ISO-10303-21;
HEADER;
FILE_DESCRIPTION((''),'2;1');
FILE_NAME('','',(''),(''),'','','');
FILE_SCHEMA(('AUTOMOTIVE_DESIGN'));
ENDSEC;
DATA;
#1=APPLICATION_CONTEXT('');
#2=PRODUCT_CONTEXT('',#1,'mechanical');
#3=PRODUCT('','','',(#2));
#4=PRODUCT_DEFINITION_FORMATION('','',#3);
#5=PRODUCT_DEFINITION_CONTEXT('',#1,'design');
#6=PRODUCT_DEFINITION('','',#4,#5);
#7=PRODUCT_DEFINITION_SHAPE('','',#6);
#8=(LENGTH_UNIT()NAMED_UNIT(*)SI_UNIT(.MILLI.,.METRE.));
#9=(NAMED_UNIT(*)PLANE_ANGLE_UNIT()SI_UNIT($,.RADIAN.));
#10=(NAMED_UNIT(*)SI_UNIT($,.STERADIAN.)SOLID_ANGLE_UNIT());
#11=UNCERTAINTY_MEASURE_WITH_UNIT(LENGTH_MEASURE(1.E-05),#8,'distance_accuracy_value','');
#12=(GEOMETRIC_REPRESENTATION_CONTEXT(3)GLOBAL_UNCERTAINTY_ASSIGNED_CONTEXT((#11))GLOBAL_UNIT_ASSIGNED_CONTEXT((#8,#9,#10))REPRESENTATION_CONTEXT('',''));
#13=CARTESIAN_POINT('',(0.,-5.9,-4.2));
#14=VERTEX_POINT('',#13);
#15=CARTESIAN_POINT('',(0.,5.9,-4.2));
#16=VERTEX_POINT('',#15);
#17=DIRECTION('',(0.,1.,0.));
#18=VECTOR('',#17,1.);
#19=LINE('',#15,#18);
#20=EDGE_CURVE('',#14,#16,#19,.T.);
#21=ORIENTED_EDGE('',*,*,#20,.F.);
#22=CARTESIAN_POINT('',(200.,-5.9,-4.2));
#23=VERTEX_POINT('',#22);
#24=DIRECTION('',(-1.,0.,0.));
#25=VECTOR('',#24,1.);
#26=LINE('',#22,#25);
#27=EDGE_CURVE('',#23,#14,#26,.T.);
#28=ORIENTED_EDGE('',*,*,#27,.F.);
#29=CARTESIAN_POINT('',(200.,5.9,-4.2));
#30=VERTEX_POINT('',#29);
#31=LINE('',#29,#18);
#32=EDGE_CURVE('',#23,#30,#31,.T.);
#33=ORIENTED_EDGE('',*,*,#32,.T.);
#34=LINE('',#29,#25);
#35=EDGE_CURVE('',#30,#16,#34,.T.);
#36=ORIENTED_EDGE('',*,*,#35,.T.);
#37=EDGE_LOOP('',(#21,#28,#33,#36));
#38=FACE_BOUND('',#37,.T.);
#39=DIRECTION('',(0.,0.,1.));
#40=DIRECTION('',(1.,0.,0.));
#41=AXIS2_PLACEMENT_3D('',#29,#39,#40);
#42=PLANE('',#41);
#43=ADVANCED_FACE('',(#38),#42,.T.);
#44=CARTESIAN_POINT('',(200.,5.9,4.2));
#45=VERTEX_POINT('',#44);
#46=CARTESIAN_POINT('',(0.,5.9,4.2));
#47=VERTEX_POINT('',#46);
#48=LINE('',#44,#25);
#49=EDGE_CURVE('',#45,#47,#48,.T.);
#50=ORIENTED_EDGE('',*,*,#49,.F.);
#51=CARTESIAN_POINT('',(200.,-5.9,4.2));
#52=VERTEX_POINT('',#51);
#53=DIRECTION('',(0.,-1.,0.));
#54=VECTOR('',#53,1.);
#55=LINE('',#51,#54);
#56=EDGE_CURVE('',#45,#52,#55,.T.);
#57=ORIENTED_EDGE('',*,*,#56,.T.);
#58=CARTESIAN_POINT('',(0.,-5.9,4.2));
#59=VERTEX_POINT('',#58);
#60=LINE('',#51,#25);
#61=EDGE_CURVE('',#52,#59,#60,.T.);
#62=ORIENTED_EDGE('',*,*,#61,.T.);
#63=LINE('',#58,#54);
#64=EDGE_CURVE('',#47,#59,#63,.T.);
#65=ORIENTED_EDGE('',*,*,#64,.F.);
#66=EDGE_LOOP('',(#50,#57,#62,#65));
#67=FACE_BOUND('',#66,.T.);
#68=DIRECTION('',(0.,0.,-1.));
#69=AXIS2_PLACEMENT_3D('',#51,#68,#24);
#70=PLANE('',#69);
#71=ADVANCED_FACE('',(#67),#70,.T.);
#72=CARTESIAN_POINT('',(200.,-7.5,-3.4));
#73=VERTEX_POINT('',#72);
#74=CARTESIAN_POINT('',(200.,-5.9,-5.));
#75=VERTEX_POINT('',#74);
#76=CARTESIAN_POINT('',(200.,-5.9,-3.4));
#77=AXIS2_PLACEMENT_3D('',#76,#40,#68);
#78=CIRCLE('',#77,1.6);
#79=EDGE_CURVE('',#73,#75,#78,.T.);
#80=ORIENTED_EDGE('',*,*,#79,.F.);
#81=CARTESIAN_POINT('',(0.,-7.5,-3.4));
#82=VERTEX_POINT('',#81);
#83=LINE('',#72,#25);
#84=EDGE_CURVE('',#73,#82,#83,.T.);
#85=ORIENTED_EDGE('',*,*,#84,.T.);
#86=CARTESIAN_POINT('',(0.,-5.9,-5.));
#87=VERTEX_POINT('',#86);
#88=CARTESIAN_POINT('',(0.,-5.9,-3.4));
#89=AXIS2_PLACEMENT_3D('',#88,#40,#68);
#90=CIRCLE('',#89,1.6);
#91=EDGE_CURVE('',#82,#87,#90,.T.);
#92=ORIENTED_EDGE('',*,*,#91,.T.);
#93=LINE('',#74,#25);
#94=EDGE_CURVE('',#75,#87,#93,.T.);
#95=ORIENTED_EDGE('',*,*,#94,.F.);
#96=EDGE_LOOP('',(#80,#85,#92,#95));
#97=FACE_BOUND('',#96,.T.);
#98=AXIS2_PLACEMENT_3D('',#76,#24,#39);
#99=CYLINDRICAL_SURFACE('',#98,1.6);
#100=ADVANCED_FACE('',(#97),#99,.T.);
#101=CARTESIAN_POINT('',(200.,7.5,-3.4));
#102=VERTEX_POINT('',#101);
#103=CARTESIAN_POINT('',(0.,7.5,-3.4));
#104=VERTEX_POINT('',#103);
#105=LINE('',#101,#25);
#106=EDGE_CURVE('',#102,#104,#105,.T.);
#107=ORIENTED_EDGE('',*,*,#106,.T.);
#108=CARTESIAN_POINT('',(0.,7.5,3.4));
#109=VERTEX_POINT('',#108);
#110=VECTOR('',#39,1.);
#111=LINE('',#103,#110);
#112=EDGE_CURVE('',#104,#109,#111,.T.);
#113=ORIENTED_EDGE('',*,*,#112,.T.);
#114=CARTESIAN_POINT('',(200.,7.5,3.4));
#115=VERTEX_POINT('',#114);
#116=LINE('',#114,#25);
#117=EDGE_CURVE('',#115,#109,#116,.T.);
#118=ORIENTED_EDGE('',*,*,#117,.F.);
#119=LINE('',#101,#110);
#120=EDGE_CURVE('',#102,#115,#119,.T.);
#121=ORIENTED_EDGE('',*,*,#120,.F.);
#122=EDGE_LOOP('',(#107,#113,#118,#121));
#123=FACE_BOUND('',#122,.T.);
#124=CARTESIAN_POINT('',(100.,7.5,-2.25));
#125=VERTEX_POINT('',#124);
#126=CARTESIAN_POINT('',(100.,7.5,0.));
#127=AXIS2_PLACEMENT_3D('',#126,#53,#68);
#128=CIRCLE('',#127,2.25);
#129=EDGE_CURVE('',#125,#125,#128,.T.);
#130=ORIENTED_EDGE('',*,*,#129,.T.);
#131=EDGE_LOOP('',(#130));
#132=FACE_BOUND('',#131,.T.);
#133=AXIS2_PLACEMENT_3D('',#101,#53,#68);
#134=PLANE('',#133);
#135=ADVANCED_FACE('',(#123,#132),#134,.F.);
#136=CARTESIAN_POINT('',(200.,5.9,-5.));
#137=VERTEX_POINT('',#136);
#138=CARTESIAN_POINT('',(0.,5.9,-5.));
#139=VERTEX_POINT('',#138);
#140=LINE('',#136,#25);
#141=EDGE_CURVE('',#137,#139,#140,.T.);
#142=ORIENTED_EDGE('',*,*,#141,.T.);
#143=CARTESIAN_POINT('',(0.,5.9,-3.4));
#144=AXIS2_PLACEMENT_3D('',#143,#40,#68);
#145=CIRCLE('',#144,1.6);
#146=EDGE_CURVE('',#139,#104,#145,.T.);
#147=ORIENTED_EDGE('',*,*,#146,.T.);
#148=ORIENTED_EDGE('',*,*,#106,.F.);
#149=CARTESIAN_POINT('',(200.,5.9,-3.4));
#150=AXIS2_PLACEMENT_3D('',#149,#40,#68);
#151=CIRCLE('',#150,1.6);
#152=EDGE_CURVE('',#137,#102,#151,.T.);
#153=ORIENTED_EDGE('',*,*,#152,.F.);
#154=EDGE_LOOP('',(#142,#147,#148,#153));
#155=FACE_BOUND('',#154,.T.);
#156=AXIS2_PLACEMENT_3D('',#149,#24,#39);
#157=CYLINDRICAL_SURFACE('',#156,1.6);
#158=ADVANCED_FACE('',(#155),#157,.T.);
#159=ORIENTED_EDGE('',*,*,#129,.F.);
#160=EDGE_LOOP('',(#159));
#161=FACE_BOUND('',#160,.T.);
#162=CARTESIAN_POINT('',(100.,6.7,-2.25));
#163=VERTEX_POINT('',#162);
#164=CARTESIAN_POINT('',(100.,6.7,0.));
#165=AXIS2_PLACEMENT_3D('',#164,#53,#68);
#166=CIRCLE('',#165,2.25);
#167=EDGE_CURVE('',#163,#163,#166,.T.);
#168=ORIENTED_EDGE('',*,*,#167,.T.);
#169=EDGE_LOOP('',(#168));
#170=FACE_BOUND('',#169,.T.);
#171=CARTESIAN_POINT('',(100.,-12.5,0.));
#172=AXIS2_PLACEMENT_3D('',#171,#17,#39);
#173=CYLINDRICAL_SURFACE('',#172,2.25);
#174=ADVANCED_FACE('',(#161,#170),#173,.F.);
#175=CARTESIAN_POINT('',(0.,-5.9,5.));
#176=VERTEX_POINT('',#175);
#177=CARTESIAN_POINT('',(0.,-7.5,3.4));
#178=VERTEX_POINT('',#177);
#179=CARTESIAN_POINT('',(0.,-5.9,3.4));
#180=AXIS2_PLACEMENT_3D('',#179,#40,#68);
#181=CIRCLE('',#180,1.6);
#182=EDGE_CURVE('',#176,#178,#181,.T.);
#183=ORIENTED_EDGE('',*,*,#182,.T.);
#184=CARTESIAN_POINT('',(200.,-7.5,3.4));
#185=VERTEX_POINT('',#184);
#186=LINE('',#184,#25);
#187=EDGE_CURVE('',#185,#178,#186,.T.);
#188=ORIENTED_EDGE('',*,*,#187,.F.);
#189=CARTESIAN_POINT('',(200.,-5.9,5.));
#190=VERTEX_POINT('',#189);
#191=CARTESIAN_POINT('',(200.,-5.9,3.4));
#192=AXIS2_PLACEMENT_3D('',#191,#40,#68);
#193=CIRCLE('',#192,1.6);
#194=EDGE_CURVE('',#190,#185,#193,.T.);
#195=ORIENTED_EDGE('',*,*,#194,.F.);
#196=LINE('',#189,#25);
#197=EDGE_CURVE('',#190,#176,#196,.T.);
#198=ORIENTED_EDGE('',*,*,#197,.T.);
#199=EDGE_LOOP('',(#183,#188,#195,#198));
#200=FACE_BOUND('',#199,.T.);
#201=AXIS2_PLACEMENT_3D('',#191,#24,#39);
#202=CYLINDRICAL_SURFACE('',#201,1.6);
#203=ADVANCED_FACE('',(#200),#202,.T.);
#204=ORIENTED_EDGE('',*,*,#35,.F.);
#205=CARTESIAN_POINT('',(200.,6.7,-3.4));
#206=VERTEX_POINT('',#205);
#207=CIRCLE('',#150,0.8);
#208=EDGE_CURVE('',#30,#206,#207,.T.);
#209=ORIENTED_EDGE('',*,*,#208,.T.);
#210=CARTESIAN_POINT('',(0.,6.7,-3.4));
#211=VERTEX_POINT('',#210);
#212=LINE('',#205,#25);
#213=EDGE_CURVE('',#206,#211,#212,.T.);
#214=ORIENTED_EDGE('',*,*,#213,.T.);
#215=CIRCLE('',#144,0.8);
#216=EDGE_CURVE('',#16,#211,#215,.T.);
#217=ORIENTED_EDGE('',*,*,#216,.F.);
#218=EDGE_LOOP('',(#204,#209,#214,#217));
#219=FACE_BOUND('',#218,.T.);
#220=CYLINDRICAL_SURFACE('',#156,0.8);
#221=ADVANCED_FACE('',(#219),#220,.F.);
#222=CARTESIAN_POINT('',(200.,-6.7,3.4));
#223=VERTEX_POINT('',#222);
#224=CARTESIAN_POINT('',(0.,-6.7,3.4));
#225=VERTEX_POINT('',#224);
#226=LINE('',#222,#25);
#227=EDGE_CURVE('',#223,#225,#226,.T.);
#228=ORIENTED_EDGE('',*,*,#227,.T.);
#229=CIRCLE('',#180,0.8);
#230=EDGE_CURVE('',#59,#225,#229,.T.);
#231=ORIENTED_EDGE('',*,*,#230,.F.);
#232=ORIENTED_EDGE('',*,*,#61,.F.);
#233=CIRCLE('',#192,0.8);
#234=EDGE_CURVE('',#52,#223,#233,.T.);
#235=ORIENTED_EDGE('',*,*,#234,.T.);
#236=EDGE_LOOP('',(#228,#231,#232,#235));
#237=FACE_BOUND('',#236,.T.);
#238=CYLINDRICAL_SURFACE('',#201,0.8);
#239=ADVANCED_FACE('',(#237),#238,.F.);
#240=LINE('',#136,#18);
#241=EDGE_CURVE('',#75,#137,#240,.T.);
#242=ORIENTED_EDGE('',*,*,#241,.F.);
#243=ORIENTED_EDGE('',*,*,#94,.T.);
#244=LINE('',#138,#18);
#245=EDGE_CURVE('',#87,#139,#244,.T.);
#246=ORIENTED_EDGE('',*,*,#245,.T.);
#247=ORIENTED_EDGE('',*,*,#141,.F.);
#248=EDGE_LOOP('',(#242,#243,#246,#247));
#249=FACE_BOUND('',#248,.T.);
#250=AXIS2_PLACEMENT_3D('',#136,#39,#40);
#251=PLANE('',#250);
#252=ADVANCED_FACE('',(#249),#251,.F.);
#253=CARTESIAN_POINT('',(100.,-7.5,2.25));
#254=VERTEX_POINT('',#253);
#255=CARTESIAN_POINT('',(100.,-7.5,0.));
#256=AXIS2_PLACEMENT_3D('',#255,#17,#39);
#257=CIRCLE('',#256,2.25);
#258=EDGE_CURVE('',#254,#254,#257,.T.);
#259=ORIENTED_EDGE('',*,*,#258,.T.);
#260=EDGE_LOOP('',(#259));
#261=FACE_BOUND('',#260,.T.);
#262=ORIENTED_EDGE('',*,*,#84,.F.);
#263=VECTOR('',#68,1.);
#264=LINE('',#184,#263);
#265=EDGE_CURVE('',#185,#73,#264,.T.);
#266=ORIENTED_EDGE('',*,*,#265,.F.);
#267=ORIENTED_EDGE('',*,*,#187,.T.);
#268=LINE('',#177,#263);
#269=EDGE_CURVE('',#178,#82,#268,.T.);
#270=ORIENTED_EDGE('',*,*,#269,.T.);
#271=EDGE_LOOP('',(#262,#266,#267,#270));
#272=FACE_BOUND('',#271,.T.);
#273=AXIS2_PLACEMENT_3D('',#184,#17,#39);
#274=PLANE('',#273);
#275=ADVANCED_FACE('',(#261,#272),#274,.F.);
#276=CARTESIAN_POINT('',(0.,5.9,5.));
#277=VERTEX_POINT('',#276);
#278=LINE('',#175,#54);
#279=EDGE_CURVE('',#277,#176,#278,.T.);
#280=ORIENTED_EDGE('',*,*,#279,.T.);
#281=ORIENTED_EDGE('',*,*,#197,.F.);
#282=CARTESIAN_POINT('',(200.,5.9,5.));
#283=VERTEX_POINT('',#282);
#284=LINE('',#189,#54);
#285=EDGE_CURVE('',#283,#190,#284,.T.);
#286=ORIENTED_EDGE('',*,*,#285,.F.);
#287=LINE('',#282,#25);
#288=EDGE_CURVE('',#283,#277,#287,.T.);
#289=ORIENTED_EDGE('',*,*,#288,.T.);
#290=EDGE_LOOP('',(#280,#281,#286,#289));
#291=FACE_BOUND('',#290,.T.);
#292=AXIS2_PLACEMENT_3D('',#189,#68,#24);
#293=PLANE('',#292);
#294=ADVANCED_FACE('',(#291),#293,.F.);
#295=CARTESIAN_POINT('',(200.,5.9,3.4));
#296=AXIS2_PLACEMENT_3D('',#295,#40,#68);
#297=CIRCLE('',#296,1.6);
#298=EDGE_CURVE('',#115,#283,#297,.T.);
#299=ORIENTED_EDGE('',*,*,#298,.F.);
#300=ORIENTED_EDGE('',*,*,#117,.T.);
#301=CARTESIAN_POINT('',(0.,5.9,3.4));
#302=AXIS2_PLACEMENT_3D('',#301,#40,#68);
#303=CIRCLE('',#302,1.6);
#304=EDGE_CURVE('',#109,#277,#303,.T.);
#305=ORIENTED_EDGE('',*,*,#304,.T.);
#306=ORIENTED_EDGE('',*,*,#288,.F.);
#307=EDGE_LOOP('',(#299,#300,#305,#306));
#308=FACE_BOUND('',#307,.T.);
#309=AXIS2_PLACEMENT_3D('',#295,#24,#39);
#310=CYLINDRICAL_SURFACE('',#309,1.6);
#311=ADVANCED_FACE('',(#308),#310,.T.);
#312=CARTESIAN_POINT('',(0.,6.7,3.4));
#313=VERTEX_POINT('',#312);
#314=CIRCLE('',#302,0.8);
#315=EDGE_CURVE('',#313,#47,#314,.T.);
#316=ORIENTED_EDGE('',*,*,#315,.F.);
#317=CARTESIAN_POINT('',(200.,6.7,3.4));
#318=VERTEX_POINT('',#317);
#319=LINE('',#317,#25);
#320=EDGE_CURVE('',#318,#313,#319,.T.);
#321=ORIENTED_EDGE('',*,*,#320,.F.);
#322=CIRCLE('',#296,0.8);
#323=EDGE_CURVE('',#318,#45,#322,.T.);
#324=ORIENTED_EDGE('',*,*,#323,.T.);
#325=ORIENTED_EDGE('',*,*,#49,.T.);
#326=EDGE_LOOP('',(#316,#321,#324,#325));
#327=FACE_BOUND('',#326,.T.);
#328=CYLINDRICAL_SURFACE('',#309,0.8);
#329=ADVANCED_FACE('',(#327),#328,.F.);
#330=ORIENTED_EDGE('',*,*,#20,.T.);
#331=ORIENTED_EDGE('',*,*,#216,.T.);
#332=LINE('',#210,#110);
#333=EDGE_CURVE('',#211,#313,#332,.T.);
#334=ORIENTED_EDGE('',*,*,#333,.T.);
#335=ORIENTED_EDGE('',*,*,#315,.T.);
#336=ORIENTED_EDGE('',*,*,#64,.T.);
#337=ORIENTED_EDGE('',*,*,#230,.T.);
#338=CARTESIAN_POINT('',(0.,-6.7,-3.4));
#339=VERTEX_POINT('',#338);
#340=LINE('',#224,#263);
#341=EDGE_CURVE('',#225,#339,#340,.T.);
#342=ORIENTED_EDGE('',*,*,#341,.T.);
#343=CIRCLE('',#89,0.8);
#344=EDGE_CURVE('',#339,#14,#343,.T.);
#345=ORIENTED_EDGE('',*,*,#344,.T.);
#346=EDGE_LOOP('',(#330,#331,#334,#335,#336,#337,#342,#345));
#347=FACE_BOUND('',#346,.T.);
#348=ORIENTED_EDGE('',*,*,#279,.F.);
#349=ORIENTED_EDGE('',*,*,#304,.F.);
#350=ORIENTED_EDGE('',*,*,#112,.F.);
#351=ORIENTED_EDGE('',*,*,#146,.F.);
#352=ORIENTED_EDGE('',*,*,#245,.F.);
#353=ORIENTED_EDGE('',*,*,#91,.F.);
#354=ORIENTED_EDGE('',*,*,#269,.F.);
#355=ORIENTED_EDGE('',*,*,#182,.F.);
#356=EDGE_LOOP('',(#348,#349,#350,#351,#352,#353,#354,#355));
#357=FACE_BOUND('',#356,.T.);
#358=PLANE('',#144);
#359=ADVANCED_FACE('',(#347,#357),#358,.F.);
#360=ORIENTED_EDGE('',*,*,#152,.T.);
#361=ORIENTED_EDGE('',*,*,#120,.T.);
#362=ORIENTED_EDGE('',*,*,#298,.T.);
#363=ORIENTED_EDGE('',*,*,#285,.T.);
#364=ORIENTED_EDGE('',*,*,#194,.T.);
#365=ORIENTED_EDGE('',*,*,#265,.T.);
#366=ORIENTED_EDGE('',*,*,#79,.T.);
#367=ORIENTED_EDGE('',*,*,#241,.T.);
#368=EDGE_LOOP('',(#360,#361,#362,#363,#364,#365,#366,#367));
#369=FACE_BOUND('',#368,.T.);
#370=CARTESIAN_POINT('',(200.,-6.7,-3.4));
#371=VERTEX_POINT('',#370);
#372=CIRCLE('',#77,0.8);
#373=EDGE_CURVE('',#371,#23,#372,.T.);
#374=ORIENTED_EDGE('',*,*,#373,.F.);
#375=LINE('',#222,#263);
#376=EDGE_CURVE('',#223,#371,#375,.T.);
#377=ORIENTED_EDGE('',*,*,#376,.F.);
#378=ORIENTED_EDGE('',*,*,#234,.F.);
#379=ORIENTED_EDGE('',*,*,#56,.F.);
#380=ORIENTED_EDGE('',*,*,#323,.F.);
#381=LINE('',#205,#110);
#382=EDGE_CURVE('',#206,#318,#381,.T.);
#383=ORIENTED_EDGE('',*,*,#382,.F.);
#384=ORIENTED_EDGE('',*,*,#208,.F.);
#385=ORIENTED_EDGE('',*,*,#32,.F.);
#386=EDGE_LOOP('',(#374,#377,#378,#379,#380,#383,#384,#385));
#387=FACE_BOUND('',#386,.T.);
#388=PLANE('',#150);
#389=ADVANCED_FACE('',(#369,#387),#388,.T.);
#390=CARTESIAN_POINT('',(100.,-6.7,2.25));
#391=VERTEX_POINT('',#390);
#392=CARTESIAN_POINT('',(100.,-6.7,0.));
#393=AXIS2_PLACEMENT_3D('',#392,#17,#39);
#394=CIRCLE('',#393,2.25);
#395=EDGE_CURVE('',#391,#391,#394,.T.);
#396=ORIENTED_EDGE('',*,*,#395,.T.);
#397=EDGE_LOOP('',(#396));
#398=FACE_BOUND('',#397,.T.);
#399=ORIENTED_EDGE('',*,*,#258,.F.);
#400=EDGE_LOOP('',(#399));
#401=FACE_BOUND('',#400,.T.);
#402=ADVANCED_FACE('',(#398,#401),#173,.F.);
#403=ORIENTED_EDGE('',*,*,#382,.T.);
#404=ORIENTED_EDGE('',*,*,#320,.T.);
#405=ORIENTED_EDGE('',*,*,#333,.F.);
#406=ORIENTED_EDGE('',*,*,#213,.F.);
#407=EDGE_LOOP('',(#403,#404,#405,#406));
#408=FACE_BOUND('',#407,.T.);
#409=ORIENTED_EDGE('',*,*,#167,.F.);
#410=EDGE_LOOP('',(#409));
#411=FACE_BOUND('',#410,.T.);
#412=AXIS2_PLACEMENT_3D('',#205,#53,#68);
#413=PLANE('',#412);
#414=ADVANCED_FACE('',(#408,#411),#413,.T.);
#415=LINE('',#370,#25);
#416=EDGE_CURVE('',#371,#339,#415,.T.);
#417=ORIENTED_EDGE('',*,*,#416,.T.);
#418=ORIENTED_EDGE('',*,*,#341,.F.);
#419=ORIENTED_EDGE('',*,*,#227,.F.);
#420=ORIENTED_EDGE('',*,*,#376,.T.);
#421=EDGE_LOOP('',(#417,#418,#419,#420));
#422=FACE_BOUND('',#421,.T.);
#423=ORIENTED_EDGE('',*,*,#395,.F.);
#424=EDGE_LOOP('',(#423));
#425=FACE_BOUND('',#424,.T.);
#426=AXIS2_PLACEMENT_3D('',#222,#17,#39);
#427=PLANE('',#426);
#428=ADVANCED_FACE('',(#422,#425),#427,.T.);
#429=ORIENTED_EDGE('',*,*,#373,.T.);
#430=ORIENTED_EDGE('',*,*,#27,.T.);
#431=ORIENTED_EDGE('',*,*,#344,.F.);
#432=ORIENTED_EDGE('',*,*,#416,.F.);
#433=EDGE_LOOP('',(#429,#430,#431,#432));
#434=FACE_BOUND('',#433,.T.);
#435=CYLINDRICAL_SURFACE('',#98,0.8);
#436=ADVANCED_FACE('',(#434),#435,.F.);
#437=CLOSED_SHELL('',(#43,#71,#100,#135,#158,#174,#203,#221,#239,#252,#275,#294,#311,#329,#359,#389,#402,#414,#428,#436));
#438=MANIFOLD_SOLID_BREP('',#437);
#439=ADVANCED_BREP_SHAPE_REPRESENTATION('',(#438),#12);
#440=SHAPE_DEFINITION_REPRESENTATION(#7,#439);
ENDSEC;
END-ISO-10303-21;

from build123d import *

# Parameters (mm, degrees)
DIKD_RTGEN_T_P_60_X_40_X_3_2_1_DEPTH = 800
IZIM3_R                              = 9
KES_EKSTR_ZYON1_DEPTH                = 50
SCALE1_SCALE                         = 0.25


with BuildPart() as part:
    # Sketch1 → Dikdörtgen tüp 60 X 40 X 3.2(1) (new body)
    with BuildSketch(Plane(origin=(0, 0, 0), x_dir=(0, 0, -1), z_dir=(1, 0, 0))):
        with BuildLine():
            Line((-13.6, -30), (13.6, -30))
            ThreePointArc((13.6, -30), (18.1254834, -28.1254834), (20, -23.6))
            Line((20, -23.6), (20, 23.6))
            ThreePointArc((20, 23.6), (18.1254834, 28.1254834), (13.6, 30))
            Line((13.6, 30), (-13.6, 30))
            ThreePointArc((-13.6, 30), (-18.1254834, 28.1254834), (-20, 23.6))
            Line((-20, 23.6), (-20, -23.6))
            ThreePointArc((-20, -23.6), (-18.1254834, -28.1254834), (-13.6, -30))
        make_face()
        with BuildLine():
            Line((-13.6, -26.8), (13.6, -26.8))
            ThreePointArc((13.6, -26.8), (15.8627417, -25.8627417), (16.8, -23.6))
            Line((16.8, -23.6), (16.8, 23.6))
            ThreePointArc((16.8, 23.6), (15.8627417, 25.8627417), (13.6, 26.8))
            Line((13.6, 26.8), (-13.6, 26.8))
            ThreePointArc((-13.6, 26.8), (-15.8627417, 25.8627417), (-16.8, 23.6))
            Line((-16.8, 23.6), (-16.8, -23.6))
            ThreePointArc((-16.8, -23.6), (-15.8627417, -25.8627417), (-13.6, -26.8))
        make_face(mode=Mode.SUBTRACT)
    extrude(amount=DIKD_RTGEN_T_P_60_X_40_X_3_2_1_DEPTH)

    # Çizim3 → Kes-Ekstrüzyon1 (cut, symmetric)
    with BuildSketch(Plane(origin=(0, 0, 0), x_dir=(1, 0, 0), z_dir=(0, 1, 0))):
        with Locations(Location((400, 0, 0), (0, 0, 270))):
            Circle(IZIM3_R)
    extrude(amount=KES_EKSTR_ZYON1_DEPTH, both=True, mode=Mode.SUBTRACT)


with BuildPart() as part_1:
    # Scale1: scaled about (0, 0, 0)
    add(part.part.scale(SCALE1_SCALE))


solid = part_1.part
